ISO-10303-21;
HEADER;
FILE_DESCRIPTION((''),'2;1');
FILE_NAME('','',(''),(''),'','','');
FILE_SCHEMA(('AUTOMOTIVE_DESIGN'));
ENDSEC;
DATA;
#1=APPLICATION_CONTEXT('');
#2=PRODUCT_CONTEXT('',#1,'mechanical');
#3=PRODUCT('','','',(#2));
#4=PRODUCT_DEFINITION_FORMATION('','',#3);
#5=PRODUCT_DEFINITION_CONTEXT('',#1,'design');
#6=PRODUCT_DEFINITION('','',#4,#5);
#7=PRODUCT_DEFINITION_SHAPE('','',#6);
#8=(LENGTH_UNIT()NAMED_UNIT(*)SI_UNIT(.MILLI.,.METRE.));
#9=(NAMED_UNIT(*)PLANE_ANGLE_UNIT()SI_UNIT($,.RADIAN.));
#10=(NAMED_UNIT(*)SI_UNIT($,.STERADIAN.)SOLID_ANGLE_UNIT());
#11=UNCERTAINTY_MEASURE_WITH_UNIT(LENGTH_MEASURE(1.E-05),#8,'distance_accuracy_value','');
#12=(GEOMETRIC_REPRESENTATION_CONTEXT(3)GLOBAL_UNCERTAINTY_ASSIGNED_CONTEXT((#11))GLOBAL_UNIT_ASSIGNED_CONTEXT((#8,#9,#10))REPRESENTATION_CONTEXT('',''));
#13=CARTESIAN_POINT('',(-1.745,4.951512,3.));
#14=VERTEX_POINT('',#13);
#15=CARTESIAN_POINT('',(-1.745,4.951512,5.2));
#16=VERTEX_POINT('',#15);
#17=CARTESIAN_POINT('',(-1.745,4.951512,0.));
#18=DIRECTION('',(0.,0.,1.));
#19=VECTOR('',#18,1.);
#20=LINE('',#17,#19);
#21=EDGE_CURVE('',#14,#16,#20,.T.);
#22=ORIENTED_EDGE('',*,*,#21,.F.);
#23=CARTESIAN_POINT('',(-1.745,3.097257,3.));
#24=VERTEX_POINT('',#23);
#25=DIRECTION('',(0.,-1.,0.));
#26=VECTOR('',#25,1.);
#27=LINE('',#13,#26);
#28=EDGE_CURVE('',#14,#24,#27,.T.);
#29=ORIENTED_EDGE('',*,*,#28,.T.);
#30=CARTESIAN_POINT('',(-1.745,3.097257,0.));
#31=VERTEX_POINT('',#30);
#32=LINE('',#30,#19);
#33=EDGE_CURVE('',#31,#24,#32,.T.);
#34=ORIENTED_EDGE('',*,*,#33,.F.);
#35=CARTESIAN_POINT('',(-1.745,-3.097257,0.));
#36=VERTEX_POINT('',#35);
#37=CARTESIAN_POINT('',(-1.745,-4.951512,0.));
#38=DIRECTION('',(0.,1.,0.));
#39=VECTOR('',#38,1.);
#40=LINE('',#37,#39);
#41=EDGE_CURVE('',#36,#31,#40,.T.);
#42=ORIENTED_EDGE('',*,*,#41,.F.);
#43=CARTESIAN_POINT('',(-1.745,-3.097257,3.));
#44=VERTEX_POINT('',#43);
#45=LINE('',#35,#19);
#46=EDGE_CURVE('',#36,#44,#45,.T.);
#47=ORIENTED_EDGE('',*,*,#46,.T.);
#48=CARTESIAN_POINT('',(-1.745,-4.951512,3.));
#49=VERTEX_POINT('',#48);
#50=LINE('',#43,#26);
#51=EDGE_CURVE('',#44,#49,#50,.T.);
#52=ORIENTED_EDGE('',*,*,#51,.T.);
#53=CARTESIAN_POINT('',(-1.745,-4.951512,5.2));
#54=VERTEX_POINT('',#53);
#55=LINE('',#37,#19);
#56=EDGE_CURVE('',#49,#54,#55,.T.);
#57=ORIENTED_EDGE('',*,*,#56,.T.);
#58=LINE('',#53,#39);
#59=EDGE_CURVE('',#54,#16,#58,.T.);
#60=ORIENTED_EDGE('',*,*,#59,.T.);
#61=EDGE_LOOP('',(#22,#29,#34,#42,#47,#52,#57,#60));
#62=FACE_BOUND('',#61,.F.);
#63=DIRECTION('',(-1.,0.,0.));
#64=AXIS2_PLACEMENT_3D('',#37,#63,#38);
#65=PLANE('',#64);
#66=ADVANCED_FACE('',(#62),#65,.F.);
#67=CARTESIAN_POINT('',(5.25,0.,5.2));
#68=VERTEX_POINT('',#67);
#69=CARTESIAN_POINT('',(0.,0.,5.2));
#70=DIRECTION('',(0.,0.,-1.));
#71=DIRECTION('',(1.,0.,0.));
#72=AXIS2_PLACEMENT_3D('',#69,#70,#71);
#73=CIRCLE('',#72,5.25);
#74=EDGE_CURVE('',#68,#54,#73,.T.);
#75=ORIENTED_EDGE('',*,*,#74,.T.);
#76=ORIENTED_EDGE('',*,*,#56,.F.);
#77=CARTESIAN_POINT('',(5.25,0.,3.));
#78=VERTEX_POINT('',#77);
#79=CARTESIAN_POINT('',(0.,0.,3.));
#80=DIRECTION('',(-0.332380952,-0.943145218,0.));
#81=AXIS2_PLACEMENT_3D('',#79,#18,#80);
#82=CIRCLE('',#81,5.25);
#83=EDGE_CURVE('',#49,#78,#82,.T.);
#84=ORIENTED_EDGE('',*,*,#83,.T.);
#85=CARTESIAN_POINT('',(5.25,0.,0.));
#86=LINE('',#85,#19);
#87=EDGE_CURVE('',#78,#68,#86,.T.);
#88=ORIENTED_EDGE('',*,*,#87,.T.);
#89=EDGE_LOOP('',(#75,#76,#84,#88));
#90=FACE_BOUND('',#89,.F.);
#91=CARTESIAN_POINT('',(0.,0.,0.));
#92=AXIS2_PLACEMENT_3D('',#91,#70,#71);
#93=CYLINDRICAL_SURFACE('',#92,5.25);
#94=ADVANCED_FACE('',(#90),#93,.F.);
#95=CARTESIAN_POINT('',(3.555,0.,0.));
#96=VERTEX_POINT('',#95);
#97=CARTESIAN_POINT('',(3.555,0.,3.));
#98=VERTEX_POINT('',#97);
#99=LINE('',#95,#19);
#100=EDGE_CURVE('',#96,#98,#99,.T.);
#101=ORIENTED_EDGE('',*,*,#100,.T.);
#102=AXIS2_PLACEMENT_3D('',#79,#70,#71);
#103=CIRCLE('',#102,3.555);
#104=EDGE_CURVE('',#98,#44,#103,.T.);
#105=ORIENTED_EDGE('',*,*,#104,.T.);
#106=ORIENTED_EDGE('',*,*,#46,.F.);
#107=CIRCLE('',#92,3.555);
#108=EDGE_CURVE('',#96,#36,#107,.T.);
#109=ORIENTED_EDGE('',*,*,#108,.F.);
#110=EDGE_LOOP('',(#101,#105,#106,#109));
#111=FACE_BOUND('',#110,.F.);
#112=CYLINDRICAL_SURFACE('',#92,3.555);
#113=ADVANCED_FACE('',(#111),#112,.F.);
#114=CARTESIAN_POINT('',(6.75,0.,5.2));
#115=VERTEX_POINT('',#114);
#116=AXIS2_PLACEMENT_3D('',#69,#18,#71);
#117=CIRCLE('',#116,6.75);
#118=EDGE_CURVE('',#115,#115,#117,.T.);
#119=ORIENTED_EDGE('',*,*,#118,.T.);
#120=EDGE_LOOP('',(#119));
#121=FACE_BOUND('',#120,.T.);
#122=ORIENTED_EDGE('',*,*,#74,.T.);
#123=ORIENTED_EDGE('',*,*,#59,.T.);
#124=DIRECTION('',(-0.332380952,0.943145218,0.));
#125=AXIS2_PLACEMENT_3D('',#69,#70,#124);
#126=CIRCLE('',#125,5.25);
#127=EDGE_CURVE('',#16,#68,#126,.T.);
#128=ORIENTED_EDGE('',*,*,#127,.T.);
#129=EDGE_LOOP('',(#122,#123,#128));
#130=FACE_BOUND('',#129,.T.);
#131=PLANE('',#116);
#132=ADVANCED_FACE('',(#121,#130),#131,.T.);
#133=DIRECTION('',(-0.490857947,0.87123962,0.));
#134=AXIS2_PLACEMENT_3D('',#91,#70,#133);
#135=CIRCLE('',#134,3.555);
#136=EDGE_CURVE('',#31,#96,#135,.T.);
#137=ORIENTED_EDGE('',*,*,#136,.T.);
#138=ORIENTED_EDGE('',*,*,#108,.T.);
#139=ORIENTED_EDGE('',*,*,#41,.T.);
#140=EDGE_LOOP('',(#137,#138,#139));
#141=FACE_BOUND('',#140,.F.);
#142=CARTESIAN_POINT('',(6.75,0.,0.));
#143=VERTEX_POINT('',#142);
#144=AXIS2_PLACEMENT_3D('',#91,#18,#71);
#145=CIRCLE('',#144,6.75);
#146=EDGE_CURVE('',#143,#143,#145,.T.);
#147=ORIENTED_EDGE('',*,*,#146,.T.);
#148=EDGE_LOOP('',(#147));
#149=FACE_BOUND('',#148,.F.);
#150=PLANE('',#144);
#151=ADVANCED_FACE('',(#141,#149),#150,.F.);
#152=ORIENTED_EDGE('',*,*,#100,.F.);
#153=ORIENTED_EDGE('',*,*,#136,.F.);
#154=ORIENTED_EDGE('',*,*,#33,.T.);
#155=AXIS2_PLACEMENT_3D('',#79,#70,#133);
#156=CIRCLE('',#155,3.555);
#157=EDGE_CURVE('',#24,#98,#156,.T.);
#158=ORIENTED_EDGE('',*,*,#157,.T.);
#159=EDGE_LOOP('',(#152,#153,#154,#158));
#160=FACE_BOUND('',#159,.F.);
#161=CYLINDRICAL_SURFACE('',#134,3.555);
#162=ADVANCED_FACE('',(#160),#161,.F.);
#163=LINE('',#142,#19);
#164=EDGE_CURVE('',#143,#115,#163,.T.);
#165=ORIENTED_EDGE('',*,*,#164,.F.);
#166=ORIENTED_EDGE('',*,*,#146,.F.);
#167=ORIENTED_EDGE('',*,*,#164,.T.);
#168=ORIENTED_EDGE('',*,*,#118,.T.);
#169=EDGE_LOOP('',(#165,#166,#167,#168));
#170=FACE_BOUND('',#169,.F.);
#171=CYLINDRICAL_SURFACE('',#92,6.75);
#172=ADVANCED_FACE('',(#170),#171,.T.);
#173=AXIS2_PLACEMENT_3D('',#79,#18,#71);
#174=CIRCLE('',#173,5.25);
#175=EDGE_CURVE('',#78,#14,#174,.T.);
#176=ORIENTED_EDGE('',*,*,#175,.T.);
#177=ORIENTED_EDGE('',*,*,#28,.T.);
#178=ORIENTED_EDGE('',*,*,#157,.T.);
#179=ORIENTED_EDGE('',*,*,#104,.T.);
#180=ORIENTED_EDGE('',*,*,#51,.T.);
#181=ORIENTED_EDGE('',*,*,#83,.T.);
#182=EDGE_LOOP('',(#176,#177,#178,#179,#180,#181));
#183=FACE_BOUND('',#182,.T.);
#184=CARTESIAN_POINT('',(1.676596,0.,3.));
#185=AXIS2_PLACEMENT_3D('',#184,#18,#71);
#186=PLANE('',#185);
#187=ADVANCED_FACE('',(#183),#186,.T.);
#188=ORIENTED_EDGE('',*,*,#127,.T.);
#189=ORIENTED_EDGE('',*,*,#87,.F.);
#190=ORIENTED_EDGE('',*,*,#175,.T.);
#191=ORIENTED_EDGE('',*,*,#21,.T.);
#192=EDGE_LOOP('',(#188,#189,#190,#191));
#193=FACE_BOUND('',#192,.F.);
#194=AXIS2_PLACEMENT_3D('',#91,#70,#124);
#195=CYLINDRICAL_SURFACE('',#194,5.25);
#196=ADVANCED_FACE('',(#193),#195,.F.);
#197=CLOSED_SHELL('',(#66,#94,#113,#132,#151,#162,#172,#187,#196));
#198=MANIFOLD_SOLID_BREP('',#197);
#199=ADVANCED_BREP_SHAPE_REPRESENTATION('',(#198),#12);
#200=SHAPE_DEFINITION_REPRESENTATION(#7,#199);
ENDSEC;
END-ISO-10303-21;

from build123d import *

# Parameters (mm, degrees)
F1_DEPTH = 3
F0_R     = 6.75
F2_DEPTH = 5.2


with BuildPart() as f1:
    # F0 (on Top) → F1 (new body)
    with BuildSketch(Plane.XY):
        with BuildLine():
            ThreePointArc((-1.745, 3.0972568508), (1.7936763922, 3.0693240298), (3.555, 0))
            ThreePointArc((3.555, 0), (1.7936763922, -3.0693240298), (-1.745, -3.0972568508))
            Line((-1.745, -3.0972568508), (-1.745, -4.9515123952))
            ThreePointArc((-1.745, -4.9515123952), (3.0332532041, -4.2850758453), (5.25, 0))
            ThreePointArc((5.25, 0), (3.0332532041, 4.2850758453), (-1.745, 4.9515123952))
            Line((-1.745, 4.9515123952), (-1.745, 3.0972568508))
        make_face()
    extrude(amount=F1_DEPTH)

    # F0 (on Top) → F2 (join)
    with BuildSketch(Plane.XY):
        Circle(F0_R)
        with BuildLine():
            ThreePointArc((-1.745, -4.9515123952), (-5.25, 0), (-1.745, 4.9515123952))
            ThreePointArc((-1.745, 4.9515123952), (3.0332532041, 4.2850758453), (5.25, 0))
            ThreePointArc((5.25, 0), (3.0332532041, -4.2850758453), (-1.745, -4.9515123952))
        make_face(mode=Mode.SUBTRACT)
        with BuildLine():
            ThreePointArc((-1.745, -3.0972568508), (-3.555, 0), (-1.745, 3.0972568508))
            Line((-1.745, 3.0972568508), (-1.745, 4.9515123952))
            ThreePointArc((-1.745, 4.9515123952), (-5.25, 0), (-1.745, -4.9515123952))
            Line((-1.745, -4.9515123952), (-1.745, -3.0972568508))
        make_face()
        with BuildLine():
            Line((-1.745, 0), (-1.745, 3.0972568508))
            ThreePointArc((-1.745, 3.0972568508), (-3.555, 0), (-1.745, -3.0972568508))
            Line((-1.745, -3.0972568508), (-1.745, 0))
        make_face()
    extrude(amount=F2_DEPTH)


solid = f1.part
